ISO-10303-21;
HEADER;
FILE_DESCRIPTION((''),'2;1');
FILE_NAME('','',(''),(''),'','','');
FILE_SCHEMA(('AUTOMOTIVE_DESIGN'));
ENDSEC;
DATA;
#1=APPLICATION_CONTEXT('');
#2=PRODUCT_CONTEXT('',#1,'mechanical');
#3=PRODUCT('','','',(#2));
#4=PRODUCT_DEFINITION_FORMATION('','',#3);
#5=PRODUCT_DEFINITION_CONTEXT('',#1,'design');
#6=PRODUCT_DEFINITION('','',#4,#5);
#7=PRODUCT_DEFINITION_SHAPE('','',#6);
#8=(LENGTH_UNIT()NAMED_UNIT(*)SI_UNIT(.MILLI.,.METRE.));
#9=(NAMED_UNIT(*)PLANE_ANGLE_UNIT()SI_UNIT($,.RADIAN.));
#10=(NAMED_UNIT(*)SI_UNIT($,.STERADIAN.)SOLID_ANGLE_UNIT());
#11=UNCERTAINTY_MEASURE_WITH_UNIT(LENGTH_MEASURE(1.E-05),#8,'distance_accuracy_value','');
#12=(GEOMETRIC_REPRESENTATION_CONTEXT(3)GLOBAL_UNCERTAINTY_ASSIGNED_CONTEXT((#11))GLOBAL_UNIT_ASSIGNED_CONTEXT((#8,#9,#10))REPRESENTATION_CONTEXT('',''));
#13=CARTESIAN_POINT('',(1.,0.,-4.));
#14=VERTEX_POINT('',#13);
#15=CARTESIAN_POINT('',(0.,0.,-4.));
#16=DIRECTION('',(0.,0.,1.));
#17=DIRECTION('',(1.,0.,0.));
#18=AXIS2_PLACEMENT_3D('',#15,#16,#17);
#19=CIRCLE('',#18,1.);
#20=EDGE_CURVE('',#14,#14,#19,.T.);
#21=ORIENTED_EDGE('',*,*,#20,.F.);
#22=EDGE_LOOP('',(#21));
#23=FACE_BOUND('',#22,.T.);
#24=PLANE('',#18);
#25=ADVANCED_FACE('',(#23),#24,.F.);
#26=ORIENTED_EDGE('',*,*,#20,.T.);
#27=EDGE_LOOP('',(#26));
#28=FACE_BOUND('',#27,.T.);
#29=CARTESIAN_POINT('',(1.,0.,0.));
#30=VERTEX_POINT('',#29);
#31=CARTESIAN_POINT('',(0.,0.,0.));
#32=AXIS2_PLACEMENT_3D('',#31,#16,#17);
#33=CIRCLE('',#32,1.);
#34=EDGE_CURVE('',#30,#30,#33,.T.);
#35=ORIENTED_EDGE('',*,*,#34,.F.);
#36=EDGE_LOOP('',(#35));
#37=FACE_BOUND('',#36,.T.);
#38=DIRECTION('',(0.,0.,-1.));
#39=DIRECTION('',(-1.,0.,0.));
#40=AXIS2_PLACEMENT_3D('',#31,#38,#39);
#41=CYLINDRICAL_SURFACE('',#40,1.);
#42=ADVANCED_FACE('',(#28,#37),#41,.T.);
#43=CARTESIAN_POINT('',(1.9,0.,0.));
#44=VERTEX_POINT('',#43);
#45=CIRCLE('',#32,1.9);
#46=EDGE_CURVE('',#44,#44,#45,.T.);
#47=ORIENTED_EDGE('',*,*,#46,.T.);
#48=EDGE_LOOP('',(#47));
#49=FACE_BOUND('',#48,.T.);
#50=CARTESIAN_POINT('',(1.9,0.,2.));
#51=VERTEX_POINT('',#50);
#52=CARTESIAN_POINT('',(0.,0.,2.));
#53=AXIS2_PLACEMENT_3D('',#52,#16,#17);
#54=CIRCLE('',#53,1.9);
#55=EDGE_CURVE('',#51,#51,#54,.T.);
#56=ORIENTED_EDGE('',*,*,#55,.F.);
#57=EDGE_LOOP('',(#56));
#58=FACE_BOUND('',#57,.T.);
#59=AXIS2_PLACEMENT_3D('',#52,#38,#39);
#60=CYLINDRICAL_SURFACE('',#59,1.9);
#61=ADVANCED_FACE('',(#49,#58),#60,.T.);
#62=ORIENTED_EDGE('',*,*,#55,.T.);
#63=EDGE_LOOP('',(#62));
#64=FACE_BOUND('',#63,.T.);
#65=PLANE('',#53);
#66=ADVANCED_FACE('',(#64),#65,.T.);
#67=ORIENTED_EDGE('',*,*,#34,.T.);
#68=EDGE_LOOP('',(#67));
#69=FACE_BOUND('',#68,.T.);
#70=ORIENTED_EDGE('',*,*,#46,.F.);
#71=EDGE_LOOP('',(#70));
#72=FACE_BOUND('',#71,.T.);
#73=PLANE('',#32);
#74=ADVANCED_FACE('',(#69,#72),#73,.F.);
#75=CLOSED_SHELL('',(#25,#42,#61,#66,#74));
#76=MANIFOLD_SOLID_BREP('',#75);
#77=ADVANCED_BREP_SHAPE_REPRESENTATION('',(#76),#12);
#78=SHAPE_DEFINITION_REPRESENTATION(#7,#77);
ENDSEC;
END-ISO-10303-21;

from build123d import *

# Parameters (mm, degrees)
THREAD_ENVELOPE_START = -4
SKETCH1_R             = 1
THREAD_ENVELOPE_DEPTH = 4
SKETCH2_R             = 1.9
HEAD_ENVELOPE_DEPTH   = 2


with BuildPart() as part:
    # Sketch1 → Thread_Envelope (new body)
    with BuildSketch(Plane.XY.offset(THREAD_ENVELOPE_START)):
        Circle(SKETCH1_R)
    extrude(amount=THREAD_ENVELOPE_DEPTH)

    # Sketch2 → Head_Envelope (add)
    with BuildSketch(Plane.XY):
        Circle(SKETCH2_R)
    extrude(amount=HEAD_ENVELOPE_DEPTH)


solid = part.part
